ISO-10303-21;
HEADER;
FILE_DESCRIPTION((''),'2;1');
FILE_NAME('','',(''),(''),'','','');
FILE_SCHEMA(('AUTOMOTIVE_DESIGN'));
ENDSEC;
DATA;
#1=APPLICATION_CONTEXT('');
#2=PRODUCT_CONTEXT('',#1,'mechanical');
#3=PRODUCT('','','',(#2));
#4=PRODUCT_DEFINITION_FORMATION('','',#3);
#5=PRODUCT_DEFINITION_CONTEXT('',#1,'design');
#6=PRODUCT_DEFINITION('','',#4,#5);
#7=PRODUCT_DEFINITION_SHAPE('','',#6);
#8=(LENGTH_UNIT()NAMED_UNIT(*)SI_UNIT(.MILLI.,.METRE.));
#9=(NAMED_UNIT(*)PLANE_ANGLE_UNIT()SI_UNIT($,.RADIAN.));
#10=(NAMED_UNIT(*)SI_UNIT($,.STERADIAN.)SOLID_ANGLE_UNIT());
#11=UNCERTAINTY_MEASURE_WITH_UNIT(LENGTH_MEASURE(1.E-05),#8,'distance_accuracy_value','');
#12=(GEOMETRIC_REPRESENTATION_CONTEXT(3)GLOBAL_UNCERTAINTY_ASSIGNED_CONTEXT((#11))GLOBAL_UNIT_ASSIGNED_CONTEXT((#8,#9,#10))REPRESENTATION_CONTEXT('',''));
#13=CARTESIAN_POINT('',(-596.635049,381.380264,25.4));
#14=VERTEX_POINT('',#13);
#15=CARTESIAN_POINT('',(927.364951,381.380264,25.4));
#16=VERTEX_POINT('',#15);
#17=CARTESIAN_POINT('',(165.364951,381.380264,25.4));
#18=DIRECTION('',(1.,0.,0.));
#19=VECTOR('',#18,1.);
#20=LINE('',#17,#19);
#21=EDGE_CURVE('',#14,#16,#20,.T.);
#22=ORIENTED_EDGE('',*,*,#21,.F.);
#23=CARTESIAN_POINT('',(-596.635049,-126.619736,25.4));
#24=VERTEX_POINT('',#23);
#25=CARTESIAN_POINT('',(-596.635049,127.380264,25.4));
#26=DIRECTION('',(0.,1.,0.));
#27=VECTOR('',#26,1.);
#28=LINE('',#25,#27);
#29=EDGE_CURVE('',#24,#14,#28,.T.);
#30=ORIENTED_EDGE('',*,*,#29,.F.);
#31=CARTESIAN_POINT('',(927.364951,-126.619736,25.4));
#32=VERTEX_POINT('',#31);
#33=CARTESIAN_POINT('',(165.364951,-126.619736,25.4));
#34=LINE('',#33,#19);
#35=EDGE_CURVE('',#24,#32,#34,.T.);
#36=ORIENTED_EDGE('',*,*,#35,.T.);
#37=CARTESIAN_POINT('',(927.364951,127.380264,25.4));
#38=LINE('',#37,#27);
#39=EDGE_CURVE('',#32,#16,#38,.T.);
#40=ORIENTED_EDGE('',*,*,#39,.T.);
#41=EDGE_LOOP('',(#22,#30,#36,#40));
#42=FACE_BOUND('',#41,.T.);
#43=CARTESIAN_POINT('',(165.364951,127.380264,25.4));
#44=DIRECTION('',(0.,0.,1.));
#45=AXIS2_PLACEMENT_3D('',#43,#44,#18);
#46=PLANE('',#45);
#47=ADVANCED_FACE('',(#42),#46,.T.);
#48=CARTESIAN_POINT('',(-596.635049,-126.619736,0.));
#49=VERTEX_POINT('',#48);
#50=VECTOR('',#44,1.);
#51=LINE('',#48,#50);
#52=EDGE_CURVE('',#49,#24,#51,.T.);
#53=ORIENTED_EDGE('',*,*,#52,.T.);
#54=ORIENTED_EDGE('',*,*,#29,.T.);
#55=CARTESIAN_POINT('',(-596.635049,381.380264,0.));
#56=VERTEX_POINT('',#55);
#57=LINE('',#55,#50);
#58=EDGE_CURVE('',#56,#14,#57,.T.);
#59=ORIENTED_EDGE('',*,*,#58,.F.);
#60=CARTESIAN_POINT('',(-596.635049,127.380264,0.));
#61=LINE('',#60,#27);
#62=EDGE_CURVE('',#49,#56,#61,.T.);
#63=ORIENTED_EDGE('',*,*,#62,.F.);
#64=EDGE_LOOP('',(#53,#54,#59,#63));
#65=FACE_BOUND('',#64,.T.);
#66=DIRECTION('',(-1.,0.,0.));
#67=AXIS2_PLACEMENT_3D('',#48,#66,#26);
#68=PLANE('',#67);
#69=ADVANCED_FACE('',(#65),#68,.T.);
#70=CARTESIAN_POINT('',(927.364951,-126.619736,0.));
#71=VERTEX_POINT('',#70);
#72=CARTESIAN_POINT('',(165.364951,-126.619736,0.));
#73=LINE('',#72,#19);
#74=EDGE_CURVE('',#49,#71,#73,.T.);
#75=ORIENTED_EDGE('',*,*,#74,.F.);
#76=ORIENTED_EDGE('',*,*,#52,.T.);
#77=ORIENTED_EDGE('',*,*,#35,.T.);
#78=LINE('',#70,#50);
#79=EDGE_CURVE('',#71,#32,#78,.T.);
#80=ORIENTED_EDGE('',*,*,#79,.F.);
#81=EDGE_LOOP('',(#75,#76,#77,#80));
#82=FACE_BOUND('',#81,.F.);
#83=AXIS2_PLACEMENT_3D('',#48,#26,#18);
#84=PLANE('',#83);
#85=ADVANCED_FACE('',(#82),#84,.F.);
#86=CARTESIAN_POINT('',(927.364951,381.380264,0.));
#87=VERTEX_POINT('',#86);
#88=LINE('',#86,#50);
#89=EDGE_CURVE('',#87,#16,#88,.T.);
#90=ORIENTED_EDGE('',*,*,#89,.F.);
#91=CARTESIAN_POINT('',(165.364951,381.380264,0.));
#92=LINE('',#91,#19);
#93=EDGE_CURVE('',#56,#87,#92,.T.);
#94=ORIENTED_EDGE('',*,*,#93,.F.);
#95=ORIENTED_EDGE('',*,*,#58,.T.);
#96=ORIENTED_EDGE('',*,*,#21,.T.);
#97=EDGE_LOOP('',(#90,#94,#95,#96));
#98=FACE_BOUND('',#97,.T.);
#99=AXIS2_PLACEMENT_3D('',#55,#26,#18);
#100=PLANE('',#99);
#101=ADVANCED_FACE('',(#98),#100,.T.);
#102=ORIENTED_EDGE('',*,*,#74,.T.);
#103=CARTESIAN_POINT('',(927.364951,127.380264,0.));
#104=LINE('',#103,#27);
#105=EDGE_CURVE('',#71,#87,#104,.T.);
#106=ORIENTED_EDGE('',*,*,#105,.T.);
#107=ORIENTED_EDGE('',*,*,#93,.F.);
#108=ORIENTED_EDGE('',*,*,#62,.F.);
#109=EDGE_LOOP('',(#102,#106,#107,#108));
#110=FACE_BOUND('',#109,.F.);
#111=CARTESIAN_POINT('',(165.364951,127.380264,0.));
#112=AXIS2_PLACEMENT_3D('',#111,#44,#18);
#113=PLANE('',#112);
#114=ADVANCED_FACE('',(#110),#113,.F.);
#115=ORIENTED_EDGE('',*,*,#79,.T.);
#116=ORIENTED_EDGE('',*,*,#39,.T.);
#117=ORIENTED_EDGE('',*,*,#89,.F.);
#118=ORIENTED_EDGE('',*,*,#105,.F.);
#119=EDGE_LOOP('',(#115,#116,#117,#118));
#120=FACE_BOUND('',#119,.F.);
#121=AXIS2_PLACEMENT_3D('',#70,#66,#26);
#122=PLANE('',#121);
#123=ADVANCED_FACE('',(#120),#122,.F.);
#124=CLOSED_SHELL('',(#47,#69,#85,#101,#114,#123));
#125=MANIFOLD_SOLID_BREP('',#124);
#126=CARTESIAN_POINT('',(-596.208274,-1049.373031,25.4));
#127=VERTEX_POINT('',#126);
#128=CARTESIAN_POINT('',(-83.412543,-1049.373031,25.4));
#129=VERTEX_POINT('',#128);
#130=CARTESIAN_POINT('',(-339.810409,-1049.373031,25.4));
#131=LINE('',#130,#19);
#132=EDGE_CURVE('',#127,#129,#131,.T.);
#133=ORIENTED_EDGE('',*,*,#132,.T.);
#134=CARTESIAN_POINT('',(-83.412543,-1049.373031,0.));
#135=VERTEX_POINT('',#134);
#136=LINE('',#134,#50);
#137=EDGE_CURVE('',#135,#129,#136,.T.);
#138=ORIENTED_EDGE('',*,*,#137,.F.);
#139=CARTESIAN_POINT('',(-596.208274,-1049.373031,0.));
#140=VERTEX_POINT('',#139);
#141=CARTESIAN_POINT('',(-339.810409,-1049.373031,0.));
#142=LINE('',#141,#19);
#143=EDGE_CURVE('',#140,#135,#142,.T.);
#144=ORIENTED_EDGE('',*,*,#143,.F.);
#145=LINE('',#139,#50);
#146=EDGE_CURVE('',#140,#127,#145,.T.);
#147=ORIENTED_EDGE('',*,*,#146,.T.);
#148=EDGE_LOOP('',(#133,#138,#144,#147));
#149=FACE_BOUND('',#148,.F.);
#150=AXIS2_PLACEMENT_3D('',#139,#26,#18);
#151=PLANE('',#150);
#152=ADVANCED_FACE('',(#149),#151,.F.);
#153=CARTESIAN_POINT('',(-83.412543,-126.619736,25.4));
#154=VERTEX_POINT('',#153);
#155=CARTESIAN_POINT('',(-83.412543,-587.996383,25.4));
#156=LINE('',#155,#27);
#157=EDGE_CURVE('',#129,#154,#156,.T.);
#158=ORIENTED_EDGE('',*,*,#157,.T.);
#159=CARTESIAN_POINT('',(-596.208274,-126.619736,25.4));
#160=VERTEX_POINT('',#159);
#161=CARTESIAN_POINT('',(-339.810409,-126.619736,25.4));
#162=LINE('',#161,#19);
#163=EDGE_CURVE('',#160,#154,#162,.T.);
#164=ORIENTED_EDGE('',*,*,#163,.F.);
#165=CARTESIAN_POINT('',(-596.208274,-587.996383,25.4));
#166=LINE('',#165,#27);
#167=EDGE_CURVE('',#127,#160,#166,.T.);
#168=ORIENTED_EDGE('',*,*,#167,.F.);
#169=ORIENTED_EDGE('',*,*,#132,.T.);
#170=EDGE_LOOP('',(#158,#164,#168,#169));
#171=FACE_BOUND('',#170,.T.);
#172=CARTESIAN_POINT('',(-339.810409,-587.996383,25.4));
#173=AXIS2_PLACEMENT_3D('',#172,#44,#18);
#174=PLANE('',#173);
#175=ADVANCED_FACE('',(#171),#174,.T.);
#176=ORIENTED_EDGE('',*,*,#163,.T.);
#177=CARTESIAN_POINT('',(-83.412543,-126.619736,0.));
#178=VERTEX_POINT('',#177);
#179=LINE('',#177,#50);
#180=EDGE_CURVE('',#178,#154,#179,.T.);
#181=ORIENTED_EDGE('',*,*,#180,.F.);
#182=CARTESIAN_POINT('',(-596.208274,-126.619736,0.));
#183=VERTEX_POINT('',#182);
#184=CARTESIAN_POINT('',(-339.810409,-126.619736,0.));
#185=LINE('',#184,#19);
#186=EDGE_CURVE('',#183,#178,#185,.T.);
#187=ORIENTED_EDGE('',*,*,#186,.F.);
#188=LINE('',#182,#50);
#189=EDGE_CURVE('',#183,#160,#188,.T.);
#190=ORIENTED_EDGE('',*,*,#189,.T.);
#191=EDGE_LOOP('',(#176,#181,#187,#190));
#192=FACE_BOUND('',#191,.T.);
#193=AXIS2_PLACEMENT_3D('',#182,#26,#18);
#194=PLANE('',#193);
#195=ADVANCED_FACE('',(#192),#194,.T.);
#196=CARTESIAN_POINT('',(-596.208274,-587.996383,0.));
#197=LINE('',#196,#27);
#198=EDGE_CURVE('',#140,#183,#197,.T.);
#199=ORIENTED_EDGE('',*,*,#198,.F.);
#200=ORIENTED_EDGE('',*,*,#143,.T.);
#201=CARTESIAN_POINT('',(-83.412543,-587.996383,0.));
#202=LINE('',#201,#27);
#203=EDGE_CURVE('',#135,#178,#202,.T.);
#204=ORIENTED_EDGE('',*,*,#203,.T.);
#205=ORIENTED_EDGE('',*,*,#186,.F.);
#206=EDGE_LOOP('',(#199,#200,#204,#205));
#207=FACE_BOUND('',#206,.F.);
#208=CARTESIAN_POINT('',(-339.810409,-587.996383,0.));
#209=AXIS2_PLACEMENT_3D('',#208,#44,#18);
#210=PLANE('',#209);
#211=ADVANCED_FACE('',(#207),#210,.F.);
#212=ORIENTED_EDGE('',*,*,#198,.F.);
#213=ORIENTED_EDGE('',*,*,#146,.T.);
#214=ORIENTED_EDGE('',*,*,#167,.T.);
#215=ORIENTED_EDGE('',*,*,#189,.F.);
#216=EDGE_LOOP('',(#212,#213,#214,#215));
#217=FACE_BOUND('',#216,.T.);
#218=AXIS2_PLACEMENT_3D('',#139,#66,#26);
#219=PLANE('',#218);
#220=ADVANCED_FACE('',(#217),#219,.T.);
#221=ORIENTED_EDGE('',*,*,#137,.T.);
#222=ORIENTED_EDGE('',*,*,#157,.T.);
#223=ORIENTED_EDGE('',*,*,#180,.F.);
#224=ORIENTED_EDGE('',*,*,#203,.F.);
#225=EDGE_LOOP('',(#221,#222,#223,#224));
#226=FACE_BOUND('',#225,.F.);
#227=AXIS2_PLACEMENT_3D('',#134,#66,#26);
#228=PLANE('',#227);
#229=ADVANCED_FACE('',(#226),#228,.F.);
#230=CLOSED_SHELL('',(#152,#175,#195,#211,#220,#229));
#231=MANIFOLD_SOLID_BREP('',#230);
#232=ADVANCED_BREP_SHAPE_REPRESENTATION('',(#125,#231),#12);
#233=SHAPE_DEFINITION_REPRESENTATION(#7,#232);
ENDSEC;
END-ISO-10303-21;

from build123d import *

# Parameters (mm, degrees)
F1_W     = 512.7957314253
F1_H     = 922.7532944461
F2_DEPTH = 25.4
F0_W     = 1524
F0_H     = 508


with BuildPart() as f2:
    # F1 (on face) → F2 (new body)
    with BuildSketch(Plane.XY):
        with Locations((-339.8104086518, -587.9963834395)):
            Rectangle(F1_W, F1_H)
    extrude(amount=F2_DEPTH)


with BuildPart() as f2b:
    # F0 (on Top) → F2, piece 2 (new body)
    with BuildSketch(Plane.XY):
        with Locations((165.3649508953, 127.3802637835)):
            Rectangle(F0_W, F0_H)
    extrude(amount=F2_DEPTH)


solid = Compound([f2.part, f2b.part])
